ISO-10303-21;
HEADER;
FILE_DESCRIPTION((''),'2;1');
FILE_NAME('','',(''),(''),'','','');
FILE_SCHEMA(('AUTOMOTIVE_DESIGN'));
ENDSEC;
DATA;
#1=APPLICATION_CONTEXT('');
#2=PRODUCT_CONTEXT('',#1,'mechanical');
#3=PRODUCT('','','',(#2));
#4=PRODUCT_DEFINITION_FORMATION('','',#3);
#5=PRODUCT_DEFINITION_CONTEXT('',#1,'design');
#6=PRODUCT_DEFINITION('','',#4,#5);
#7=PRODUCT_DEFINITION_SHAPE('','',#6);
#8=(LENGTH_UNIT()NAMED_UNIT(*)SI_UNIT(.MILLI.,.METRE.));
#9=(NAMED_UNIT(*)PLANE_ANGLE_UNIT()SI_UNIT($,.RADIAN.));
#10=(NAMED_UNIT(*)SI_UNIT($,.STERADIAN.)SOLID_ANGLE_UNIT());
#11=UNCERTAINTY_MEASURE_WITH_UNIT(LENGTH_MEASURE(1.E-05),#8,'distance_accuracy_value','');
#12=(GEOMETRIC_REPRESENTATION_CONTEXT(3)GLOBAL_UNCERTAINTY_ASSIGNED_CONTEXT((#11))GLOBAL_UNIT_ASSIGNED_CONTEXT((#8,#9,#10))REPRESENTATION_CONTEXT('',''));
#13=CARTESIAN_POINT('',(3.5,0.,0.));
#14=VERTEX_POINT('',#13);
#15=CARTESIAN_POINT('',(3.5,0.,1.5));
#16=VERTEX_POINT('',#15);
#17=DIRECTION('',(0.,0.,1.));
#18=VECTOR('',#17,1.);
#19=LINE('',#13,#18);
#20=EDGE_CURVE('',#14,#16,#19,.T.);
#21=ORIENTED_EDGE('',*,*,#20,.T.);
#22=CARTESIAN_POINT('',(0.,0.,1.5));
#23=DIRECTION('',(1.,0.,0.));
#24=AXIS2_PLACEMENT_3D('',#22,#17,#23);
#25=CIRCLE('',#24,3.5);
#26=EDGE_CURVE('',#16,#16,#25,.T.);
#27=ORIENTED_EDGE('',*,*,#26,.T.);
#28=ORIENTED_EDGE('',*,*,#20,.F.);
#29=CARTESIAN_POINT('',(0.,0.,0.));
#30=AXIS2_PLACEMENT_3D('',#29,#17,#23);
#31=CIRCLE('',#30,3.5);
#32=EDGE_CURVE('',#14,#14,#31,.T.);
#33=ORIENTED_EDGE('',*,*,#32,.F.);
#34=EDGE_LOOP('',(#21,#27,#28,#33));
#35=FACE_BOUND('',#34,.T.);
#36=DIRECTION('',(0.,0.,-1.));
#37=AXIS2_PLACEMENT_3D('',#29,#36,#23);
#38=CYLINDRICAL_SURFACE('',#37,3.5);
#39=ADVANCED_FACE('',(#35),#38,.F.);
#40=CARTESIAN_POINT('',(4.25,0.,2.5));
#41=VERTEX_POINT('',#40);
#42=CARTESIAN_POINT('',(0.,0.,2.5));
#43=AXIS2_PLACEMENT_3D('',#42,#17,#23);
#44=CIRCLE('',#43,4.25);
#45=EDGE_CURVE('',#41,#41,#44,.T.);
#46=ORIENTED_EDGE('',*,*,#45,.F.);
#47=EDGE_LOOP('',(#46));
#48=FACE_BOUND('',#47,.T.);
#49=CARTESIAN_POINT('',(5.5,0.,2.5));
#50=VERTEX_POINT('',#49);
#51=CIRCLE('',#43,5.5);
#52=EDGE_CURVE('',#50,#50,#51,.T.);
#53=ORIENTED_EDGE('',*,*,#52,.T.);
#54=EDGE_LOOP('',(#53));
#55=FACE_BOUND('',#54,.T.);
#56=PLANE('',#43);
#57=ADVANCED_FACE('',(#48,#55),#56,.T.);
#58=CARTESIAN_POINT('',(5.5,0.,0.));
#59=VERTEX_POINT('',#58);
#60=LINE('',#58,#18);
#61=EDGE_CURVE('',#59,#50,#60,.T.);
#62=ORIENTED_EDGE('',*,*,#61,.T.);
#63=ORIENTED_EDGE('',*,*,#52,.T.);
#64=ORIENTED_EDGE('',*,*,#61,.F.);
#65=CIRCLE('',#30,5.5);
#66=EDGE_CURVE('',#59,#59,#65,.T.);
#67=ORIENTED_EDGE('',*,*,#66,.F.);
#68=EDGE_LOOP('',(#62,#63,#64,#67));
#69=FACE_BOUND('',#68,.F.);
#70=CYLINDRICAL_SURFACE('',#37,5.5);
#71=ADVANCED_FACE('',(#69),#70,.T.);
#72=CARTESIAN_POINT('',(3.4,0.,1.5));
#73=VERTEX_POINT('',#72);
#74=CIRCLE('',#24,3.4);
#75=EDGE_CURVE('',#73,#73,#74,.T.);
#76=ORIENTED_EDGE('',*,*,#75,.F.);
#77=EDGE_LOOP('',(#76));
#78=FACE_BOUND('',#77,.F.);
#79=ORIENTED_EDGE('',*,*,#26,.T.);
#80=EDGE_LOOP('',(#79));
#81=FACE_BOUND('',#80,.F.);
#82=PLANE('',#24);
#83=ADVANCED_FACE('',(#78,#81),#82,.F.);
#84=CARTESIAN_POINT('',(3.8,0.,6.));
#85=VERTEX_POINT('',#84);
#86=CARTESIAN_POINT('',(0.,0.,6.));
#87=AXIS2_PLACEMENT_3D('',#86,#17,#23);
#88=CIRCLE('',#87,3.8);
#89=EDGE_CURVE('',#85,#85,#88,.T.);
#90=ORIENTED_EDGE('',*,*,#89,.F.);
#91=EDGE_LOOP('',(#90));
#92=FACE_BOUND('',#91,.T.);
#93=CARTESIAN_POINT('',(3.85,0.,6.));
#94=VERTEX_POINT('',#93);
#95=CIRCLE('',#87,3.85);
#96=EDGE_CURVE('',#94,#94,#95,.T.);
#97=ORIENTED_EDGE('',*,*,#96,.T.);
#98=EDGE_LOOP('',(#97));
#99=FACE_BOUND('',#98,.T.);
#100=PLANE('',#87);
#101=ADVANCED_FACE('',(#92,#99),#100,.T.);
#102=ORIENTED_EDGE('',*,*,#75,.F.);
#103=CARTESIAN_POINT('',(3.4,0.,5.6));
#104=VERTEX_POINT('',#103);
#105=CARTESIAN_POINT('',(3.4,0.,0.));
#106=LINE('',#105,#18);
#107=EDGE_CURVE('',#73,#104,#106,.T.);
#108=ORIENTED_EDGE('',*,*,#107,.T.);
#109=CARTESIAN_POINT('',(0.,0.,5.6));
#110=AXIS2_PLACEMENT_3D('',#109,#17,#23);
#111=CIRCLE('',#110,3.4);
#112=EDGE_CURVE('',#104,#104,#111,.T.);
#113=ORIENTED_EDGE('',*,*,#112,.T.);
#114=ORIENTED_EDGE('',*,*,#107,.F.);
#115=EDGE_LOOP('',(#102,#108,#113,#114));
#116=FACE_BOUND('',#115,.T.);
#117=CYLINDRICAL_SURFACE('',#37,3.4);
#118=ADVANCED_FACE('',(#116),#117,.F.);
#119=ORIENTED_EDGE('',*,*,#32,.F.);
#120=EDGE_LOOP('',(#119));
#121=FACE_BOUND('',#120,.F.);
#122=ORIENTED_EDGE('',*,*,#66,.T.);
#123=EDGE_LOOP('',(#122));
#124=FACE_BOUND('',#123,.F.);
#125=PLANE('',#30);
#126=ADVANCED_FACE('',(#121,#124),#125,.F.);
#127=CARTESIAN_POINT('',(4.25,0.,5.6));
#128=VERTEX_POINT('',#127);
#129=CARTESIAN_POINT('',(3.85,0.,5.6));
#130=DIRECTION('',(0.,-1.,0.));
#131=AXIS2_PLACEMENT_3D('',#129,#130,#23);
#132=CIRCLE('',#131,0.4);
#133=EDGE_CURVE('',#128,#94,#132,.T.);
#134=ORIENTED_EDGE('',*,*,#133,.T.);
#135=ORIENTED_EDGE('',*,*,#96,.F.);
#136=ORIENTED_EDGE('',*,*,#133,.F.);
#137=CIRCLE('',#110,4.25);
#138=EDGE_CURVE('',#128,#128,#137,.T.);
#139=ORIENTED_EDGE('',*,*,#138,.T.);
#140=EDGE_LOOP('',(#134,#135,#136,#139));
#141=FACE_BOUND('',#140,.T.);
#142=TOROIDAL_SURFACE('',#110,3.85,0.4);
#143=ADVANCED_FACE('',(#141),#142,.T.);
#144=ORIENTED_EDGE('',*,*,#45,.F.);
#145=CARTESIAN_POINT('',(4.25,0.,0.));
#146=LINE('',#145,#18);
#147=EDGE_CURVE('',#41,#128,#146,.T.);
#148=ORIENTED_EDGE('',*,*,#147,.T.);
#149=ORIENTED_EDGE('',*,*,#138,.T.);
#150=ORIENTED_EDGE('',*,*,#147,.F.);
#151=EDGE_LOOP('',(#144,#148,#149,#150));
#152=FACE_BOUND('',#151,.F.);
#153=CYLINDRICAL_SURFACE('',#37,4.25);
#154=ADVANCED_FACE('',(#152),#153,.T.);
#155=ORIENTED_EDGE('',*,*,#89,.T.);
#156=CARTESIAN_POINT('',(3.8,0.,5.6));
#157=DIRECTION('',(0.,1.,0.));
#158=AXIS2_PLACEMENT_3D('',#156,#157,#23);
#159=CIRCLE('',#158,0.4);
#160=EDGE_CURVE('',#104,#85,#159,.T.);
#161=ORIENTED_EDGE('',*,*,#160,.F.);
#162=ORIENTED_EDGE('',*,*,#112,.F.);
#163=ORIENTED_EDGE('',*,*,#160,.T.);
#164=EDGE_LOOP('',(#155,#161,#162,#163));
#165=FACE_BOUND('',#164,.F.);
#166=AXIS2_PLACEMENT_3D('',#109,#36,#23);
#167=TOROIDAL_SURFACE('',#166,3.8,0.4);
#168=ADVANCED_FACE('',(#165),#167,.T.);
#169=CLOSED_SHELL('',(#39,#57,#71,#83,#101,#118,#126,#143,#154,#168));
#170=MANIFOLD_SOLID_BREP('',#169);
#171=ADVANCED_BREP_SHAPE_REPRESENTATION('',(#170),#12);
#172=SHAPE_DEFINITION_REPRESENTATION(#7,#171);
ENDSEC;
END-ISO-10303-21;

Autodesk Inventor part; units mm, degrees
ref_plane "YZ Plane" through (0, 0, 0) normal (1, 0, 0) x (0, 1, 0)
ref_plane "XZ Plane" through (0, 0, 0) normal (0, 1, 0) x (-1, 0, 0)
ref_plane "XY Plane" through (0, 0, 0) normal (0, 0, 1) x (1, 0, 0)
sketch "Sketch1" plane through (0, 0, 0) normal (0, 0, 1) x (1, 0, 0)
  circle A0 centre (0, 0) radius 4.25
  circle A1 centre (0, 0) radius 3.5
  circle A2 centre (0, 0) radius 5.5
  circle A3 centre (0, 0) radius 3.4
  dimension "d0" = 8.5
  dimension "d1" = 7
  dimension "d2" = 11
  dimension "d23" = 6.8
extrude "Extrusion1" add sketch "Sketch1" along normal blind 2.5 contours A2
extrude "Extrusion6" add sketch "Sketch1" along normal blind 6 contours A0 | A1
fillet "Fillet4" radius 0.4 2 edges at (-3.4, 0, 6) (-4.25, 0, 6)
extrude "Extrusion13" cut sketch "Sketch1" along normal blind 1.5 contours A1
properties part number "SmaRing_2.5mm_3.5mm_6.8mm"
